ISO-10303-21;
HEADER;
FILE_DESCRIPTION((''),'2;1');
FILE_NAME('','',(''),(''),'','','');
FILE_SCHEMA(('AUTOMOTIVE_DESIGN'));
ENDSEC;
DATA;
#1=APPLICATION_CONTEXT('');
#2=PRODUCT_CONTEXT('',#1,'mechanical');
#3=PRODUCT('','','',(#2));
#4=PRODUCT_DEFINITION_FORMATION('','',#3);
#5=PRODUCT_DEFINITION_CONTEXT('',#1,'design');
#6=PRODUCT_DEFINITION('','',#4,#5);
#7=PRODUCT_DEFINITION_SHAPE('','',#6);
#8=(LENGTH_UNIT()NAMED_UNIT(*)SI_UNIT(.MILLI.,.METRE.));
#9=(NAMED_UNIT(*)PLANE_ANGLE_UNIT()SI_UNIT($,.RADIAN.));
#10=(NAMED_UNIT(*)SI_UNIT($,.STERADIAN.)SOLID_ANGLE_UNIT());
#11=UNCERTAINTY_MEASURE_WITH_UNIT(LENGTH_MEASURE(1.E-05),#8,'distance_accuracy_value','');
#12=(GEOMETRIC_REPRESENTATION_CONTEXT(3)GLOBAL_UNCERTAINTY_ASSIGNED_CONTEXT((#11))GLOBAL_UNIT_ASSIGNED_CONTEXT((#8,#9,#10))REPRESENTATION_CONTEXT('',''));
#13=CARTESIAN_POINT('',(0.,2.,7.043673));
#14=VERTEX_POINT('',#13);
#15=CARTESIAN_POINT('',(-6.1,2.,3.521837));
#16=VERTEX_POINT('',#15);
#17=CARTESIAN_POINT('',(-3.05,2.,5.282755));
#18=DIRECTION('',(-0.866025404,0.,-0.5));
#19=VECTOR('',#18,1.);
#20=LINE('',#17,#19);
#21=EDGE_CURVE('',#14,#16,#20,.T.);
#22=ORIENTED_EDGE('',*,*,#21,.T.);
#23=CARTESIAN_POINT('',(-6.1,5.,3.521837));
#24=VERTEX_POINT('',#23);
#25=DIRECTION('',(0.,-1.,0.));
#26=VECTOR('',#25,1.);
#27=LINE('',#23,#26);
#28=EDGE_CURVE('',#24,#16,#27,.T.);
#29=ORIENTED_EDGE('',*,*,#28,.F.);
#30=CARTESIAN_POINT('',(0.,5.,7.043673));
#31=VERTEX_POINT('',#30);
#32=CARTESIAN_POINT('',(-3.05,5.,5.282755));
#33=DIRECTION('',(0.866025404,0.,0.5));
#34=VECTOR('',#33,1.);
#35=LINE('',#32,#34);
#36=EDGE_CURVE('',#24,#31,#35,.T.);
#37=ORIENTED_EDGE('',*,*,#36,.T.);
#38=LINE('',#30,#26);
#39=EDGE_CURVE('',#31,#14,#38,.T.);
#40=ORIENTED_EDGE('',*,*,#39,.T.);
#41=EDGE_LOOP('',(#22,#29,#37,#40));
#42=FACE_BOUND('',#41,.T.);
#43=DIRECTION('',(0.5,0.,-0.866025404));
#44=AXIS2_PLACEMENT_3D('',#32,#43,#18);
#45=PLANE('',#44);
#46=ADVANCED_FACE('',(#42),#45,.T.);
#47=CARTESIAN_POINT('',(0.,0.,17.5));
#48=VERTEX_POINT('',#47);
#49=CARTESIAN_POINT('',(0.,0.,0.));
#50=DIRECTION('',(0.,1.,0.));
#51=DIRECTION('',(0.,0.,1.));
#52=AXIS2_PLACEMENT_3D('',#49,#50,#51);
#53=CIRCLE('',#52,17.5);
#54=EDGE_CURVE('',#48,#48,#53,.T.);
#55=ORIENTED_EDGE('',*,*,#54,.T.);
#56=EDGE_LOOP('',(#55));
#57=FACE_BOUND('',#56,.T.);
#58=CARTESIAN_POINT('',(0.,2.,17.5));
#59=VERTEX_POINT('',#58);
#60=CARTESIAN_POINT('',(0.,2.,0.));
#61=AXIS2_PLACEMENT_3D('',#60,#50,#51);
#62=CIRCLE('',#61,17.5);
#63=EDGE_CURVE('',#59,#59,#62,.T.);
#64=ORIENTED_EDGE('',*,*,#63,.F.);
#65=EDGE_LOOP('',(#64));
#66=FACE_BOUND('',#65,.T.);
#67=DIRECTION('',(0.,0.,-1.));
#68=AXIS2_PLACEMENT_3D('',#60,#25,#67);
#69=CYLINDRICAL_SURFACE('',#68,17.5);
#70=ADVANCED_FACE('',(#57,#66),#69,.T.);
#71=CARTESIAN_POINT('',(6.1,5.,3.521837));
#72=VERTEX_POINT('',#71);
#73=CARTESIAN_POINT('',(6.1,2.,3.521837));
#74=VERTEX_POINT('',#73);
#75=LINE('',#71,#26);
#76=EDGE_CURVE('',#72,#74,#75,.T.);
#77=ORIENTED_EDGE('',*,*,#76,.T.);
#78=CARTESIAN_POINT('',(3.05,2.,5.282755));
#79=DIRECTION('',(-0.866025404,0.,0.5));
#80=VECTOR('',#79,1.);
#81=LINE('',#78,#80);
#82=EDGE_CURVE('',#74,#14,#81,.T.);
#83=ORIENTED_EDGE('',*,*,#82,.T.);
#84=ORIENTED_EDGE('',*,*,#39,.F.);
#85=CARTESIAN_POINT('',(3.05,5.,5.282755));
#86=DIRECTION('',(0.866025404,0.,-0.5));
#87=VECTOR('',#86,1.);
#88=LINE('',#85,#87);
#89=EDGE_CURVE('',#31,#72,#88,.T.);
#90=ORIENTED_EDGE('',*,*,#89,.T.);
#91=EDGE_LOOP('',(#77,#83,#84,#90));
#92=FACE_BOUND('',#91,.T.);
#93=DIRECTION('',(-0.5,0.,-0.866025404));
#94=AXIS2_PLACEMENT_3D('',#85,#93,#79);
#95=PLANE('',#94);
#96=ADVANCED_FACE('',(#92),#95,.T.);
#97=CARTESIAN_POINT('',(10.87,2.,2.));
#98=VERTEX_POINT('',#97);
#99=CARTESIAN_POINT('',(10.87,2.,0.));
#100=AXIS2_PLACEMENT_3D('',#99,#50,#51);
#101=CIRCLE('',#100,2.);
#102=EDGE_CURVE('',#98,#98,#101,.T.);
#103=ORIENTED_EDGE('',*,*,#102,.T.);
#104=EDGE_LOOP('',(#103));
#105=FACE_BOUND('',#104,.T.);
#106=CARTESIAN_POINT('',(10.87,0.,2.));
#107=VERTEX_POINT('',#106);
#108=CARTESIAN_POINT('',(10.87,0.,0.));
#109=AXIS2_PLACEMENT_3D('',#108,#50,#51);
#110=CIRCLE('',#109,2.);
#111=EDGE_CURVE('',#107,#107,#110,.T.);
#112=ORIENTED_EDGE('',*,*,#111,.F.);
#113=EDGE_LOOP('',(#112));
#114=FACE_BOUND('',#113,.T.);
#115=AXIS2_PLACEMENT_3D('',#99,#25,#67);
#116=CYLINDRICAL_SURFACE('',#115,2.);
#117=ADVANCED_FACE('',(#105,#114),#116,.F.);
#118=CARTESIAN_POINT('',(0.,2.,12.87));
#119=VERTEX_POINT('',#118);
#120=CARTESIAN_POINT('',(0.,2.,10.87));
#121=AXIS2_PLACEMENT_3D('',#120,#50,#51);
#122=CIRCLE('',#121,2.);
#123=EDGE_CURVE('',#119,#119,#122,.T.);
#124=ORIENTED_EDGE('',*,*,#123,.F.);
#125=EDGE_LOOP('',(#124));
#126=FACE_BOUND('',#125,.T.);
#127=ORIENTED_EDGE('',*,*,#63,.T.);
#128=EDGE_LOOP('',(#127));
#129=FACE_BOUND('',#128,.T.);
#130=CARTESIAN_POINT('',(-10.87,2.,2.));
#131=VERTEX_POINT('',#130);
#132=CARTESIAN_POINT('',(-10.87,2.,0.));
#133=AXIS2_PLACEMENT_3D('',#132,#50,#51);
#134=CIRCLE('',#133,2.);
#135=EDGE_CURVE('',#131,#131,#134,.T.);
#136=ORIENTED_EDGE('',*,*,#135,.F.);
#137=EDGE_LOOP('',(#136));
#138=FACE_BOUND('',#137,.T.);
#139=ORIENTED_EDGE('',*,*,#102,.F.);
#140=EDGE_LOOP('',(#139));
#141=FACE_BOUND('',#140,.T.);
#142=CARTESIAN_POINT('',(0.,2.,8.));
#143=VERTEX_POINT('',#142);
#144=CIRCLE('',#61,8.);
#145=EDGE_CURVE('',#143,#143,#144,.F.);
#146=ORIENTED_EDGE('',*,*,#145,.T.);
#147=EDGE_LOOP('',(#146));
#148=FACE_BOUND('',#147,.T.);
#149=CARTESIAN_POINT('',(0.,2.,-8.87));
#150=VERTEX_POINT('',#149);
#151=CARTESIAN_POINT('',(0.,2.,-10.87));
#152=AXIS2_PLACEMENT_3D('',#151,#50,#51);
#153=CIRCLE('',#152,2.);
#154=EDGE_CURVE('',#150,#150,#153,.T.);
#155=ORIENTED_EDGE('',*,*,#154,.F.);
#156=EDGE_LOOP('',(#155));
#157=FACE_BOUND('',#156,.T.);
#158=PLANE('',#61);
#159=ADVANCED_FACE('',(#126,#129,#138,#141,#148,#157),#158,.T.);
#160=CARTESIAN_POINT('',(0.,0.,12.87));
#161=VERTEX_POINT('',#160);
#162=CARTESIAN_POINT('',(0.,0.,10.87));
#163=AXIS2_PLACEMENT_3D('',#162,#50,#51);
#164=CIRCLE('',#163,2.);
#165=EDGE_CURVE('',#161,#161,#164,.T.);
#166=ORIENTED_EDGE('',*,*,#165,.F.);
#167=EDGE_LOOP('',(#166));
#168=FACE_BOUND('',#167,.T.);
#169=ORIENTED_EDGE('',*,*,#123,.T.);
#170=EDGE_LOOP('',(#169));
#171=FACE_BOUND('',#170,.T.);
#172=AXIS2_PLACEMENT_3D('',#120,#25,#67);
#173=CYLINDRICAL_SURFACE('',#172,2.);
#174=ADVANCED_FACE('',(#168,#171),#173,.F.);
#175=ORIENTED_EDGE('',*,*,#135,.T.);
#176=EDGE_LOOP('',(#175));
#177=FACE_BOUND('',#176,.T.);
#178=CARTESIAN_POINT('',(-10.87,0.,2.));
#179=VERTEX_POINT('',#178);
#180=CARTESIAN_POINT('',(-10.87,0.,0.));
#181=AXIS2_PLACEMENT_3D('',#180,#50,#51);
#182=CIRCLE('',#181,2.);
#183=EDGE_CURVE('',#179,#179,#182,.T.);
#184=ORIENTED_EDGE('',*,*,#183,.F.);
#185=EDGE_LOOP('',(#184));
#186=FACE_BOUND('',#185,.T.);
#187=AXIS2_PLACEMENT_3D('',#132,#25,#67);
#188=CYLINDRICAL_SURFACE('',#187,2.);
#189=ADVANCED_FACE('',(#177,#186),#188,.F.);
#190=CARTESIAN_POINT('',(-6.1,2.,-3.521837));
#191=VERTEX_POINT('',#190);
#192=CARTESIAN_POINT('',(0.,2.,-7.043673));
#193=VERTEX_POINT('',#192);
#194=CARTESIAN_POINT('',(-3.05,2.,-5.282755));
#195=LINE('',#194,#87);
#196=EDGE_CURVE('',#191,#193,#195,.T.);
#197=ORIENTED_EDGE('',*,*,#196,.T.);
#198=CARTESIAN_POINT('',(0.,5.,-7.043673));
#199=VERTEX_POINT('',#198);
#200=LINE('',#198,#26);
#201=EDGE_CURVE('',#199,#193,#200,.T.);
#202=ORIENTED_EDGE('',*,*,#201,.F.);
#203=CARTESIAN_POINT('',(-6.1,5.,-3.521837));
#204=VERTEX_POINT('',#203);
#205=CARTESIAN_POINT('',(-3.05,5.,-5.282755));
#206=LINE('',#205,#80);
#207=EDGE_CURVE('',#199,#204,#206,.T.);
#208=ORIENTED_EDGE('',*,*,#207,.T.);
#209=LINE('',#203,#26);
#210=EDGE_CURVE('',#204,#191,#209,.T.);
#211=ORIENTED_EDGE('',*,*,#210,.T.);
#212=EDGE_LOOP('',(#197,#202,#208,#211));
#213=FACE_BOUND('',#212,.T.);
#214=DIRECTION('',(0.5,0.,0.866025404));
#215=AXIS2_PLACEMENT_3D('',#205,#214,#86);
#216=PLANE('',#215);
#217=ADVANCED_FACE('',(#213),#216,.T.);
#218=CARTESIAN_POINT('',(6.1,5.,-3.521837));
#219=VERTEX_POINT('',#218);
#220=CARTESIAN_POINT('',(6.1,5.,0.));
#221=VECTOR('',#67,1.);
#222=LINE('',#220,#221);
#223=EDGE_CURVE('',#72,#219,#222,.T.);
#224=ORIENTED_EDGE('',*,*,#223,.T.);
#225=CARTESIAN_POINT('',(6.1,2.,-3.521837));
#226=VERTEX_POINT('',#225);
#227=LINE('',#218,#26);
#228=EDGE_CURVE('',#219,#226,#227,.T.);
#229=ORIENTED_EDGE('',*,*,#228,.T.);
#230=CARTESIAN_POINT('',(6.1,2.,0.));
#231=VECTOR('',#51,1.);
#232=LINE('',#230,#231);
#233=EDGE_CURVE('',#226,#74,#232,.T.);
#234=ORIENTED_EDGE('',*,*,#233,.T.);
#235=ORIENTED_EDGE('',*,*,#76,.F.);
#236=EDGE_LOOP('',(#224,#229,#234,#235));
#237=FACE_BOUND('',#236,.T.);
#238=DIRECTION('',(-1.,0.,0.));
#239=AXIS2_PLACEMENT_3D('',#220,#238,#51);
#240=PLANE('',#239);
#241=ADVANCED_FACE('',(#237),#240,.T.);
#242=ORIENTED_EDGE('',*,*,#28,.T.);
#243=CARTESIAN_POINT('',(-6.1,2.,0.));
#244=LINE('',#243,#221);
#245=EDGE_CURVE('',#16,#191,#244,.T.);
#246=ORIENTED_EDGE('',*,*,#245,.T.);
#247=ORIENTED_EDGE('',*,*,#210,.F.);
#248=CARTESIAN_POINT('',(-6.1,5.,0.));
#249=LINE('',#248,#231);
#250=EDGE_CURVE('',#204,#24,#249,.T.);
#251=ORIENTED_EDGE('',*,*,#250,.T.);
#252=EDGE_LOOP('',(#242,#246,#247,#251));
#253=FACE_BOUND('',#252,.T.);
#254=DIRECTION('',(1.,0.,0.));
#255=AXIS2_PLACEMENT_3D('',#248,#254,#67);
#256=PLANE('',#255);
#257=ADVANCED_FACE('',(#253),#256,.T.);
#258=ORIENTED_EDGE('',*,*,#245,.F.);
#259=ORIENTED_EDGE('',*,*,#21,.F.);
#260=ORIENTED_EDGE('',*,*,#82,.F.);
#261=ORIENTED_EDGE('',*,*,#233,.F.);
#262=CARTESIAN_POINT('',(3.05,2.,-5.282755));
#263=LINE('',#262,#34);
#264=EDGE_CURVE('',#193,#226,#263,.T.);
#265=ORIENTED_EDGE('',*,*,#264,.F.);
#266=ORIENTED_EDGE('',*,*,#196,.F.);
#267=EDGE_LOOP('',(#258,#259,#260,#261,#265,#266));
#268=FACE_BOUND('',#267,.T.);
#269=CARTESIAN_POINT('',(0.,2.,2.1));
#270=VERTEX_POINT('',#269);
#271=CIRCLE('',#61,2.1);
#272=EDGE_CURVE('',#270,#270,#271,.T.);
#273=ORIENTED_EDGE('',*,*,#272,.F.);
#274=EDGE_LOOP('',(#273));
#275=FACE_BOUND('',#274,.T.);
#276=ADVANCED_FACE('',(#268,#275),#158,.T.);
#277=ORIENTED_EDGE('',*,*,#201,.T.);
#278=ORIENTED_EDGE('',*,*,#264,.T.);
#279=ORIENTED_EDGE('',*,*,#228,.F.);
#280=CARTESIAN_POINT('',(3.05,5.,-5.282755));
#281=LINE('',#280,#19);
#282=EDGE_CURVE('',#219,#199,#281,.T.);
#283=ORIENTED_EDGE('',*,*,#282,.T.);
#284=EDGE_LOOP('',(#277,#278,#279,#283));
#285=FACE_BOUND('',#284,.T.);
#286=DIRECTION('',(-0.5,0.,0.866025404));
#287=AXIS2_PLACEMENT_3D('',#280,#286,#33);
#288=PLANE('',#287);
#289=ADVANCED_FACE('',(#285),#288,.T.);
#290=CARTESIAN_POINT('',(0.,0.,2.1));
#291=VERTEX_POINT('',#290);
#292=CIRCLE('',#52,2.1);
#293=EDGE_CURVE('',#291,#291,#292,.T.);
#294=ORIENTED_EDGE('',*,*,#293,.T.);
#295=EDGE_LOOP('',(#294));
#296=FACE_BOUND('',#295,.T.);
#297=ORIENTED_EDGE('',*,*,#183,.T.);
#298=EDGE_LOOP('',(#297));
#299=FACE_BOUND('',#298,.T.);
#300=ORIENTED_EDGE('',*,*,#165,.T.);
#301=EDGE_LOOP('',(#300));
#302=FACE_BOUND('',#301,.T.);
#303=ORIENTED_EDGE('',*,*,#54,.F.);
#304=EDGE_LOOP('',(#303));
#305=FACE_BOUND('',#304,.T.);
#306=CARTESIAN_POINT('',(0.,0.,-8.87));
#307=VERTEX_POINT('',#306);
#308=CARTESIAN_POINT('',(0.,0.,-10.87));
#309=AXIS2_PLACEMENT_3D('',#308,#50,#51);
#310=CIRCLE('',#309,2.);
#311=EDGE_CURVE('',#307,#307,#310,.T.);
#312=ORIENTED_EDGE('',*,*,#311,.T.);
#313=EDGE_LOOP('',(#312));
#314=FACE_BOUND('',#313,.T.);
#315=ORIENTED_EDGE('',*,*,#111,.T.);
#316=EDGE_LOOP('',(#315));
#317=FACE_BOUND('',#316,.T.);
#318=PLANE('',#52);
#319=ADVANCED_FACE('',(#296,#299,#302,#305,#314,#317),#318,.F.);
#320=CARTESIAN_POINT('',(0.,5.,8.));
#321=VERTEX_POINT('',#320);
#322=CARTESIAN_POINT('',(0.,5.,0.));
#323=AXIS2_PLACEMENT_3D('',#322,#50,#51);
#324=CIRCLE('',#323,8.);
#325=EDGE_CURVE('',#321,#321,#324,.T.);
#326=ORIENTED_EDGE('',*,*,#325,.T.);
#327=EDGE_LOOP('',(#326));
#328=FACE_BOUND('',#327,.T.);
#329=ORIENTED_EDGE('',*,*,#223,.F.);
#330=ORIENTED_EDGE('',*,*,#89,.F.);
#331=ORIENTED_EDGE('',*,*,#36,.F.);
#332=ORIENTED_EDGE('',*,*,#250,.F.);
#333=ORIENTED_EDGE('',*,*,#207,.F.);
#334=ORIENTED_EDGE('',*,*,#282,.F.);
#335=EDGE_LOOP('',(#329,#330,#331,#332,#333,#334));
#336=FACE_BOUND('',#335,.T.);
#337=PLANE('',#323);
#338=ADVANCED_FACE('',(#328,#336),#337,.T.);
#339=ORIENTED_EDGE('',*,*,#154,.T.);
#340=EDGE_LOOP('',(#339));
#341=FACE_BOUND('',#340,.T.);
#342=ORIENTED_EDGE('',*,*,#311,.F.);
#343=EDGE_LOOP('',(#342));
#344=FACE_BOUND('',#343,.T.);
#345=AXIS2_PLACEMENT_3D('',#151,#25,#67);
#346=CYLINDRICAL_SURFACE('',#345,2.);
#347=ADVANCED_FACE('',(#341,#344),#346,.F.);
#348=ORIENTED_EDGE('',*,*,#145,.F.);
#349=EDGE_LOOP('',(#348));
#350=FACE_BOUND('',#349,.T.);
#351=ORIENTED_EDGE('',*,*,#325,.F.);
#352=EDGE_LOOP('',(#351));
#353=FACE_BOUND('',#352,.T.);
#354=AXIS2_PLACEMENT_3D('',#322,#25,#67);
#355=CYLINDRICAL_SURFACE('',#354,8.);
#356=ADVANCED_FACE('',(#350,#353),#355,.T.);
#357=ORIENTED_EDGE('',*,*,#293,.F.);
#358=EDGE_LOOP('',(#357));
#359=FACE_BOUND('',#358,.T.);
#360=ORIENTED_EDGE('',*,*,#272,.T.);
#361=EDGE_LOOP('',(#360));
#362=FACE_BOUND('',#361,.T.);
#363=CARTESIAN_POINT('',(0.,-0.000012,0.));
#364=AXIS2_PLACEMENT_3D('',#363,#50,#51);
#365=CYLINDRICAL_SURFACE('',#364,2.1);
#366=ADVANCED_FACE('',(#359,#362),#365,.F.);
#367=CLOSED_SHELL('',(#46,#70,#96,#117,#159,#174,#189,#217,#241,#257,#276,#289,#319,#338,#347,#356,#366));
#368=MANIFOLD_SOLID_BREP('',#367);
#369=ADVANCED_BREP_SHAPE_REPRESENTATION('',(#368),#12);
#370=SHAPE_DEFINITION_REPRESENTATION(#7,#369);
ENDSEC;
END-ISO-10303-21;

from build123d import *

# Parameters (mm, degrees)
SKETCH4_R               = 17.5
SKETCH4_R_2             = 2
BOSS_EXTRUDE1_DEPTH     = 2
SKETCH5_R               = 8
BOSS_EXTRUDE2_DEPTH     = 5
SKETCH6_R               = 2.1
CUT_EXTRUDE1_DEPTH      = 6
CUT_EXTRUDE1_DEPTH_BACK = 1


with BuildPart() as part:
    # Sketch4 → Boss-Extrude1 (new body)
    with BuildSketch(Plane(origin=(0, 0, 0), x_dir=(1, 0, 0), z_dir=(0, 1, 0))):
        Circle(SKETCH4_R)
        with Locations((10.87, 0)):
            Circle(SKETCH4_R_2, mode=Mode.SUBTRACT)
        with Locations((0, -10.87)):
            Circle(SKETCH4_R_2, mode=Mode.SUBTRACT)
        with Locations((-10.87, 0)):
            Circle(SKETCH4_R_2, mode=Mode.SUBTRACT)
        with Locations((0, 10.87)):
            Circle(SKETCH4_R_2, mode=Mode.SUBTRACT)
    extrude(amount=BOSS_EXTRUDE1_DEPTH)

    # Sketch5 → Boss-Extrude2 (add)
    with BuildSketch(Plane(origin=(0, 0, 0), x_dir=(-1, 0, 0), z_dir=(0, 1, 0))):
        Circle(SKETCH5_R)
        Polygon((-6.1, -3.521836642), (0, -7.043673284), (6.1, -3.521836642), (6.1, 3.521836642), (0, 7.043673284), (-6.1, 3.521836642), align=None, mode=Mode.SUBTRACT)
    extrude(amount=BOSS_EXTRUDE2_DEPTH)

    # Sketch6 → Cut-Extrude1 (cut, two sides)
    with BuildSketch(Plane(origin=(0, 0, 0), x_dir=(1, 0, 0), z_dir=(0, 1, 0))) as cut_extrude1_sk:
        Circle(SKETCH6_R)
    extrude(amount=CUT_EXTRUDE1_DEPTH, mode=Mode.SUBTRACT)
    extrude(cut_extrude1_sk.sketch, amount=-CUT_EXTRUDE1_DEPTH_BACK, mode=Mode.SUBTRACT)


solid = part.part
